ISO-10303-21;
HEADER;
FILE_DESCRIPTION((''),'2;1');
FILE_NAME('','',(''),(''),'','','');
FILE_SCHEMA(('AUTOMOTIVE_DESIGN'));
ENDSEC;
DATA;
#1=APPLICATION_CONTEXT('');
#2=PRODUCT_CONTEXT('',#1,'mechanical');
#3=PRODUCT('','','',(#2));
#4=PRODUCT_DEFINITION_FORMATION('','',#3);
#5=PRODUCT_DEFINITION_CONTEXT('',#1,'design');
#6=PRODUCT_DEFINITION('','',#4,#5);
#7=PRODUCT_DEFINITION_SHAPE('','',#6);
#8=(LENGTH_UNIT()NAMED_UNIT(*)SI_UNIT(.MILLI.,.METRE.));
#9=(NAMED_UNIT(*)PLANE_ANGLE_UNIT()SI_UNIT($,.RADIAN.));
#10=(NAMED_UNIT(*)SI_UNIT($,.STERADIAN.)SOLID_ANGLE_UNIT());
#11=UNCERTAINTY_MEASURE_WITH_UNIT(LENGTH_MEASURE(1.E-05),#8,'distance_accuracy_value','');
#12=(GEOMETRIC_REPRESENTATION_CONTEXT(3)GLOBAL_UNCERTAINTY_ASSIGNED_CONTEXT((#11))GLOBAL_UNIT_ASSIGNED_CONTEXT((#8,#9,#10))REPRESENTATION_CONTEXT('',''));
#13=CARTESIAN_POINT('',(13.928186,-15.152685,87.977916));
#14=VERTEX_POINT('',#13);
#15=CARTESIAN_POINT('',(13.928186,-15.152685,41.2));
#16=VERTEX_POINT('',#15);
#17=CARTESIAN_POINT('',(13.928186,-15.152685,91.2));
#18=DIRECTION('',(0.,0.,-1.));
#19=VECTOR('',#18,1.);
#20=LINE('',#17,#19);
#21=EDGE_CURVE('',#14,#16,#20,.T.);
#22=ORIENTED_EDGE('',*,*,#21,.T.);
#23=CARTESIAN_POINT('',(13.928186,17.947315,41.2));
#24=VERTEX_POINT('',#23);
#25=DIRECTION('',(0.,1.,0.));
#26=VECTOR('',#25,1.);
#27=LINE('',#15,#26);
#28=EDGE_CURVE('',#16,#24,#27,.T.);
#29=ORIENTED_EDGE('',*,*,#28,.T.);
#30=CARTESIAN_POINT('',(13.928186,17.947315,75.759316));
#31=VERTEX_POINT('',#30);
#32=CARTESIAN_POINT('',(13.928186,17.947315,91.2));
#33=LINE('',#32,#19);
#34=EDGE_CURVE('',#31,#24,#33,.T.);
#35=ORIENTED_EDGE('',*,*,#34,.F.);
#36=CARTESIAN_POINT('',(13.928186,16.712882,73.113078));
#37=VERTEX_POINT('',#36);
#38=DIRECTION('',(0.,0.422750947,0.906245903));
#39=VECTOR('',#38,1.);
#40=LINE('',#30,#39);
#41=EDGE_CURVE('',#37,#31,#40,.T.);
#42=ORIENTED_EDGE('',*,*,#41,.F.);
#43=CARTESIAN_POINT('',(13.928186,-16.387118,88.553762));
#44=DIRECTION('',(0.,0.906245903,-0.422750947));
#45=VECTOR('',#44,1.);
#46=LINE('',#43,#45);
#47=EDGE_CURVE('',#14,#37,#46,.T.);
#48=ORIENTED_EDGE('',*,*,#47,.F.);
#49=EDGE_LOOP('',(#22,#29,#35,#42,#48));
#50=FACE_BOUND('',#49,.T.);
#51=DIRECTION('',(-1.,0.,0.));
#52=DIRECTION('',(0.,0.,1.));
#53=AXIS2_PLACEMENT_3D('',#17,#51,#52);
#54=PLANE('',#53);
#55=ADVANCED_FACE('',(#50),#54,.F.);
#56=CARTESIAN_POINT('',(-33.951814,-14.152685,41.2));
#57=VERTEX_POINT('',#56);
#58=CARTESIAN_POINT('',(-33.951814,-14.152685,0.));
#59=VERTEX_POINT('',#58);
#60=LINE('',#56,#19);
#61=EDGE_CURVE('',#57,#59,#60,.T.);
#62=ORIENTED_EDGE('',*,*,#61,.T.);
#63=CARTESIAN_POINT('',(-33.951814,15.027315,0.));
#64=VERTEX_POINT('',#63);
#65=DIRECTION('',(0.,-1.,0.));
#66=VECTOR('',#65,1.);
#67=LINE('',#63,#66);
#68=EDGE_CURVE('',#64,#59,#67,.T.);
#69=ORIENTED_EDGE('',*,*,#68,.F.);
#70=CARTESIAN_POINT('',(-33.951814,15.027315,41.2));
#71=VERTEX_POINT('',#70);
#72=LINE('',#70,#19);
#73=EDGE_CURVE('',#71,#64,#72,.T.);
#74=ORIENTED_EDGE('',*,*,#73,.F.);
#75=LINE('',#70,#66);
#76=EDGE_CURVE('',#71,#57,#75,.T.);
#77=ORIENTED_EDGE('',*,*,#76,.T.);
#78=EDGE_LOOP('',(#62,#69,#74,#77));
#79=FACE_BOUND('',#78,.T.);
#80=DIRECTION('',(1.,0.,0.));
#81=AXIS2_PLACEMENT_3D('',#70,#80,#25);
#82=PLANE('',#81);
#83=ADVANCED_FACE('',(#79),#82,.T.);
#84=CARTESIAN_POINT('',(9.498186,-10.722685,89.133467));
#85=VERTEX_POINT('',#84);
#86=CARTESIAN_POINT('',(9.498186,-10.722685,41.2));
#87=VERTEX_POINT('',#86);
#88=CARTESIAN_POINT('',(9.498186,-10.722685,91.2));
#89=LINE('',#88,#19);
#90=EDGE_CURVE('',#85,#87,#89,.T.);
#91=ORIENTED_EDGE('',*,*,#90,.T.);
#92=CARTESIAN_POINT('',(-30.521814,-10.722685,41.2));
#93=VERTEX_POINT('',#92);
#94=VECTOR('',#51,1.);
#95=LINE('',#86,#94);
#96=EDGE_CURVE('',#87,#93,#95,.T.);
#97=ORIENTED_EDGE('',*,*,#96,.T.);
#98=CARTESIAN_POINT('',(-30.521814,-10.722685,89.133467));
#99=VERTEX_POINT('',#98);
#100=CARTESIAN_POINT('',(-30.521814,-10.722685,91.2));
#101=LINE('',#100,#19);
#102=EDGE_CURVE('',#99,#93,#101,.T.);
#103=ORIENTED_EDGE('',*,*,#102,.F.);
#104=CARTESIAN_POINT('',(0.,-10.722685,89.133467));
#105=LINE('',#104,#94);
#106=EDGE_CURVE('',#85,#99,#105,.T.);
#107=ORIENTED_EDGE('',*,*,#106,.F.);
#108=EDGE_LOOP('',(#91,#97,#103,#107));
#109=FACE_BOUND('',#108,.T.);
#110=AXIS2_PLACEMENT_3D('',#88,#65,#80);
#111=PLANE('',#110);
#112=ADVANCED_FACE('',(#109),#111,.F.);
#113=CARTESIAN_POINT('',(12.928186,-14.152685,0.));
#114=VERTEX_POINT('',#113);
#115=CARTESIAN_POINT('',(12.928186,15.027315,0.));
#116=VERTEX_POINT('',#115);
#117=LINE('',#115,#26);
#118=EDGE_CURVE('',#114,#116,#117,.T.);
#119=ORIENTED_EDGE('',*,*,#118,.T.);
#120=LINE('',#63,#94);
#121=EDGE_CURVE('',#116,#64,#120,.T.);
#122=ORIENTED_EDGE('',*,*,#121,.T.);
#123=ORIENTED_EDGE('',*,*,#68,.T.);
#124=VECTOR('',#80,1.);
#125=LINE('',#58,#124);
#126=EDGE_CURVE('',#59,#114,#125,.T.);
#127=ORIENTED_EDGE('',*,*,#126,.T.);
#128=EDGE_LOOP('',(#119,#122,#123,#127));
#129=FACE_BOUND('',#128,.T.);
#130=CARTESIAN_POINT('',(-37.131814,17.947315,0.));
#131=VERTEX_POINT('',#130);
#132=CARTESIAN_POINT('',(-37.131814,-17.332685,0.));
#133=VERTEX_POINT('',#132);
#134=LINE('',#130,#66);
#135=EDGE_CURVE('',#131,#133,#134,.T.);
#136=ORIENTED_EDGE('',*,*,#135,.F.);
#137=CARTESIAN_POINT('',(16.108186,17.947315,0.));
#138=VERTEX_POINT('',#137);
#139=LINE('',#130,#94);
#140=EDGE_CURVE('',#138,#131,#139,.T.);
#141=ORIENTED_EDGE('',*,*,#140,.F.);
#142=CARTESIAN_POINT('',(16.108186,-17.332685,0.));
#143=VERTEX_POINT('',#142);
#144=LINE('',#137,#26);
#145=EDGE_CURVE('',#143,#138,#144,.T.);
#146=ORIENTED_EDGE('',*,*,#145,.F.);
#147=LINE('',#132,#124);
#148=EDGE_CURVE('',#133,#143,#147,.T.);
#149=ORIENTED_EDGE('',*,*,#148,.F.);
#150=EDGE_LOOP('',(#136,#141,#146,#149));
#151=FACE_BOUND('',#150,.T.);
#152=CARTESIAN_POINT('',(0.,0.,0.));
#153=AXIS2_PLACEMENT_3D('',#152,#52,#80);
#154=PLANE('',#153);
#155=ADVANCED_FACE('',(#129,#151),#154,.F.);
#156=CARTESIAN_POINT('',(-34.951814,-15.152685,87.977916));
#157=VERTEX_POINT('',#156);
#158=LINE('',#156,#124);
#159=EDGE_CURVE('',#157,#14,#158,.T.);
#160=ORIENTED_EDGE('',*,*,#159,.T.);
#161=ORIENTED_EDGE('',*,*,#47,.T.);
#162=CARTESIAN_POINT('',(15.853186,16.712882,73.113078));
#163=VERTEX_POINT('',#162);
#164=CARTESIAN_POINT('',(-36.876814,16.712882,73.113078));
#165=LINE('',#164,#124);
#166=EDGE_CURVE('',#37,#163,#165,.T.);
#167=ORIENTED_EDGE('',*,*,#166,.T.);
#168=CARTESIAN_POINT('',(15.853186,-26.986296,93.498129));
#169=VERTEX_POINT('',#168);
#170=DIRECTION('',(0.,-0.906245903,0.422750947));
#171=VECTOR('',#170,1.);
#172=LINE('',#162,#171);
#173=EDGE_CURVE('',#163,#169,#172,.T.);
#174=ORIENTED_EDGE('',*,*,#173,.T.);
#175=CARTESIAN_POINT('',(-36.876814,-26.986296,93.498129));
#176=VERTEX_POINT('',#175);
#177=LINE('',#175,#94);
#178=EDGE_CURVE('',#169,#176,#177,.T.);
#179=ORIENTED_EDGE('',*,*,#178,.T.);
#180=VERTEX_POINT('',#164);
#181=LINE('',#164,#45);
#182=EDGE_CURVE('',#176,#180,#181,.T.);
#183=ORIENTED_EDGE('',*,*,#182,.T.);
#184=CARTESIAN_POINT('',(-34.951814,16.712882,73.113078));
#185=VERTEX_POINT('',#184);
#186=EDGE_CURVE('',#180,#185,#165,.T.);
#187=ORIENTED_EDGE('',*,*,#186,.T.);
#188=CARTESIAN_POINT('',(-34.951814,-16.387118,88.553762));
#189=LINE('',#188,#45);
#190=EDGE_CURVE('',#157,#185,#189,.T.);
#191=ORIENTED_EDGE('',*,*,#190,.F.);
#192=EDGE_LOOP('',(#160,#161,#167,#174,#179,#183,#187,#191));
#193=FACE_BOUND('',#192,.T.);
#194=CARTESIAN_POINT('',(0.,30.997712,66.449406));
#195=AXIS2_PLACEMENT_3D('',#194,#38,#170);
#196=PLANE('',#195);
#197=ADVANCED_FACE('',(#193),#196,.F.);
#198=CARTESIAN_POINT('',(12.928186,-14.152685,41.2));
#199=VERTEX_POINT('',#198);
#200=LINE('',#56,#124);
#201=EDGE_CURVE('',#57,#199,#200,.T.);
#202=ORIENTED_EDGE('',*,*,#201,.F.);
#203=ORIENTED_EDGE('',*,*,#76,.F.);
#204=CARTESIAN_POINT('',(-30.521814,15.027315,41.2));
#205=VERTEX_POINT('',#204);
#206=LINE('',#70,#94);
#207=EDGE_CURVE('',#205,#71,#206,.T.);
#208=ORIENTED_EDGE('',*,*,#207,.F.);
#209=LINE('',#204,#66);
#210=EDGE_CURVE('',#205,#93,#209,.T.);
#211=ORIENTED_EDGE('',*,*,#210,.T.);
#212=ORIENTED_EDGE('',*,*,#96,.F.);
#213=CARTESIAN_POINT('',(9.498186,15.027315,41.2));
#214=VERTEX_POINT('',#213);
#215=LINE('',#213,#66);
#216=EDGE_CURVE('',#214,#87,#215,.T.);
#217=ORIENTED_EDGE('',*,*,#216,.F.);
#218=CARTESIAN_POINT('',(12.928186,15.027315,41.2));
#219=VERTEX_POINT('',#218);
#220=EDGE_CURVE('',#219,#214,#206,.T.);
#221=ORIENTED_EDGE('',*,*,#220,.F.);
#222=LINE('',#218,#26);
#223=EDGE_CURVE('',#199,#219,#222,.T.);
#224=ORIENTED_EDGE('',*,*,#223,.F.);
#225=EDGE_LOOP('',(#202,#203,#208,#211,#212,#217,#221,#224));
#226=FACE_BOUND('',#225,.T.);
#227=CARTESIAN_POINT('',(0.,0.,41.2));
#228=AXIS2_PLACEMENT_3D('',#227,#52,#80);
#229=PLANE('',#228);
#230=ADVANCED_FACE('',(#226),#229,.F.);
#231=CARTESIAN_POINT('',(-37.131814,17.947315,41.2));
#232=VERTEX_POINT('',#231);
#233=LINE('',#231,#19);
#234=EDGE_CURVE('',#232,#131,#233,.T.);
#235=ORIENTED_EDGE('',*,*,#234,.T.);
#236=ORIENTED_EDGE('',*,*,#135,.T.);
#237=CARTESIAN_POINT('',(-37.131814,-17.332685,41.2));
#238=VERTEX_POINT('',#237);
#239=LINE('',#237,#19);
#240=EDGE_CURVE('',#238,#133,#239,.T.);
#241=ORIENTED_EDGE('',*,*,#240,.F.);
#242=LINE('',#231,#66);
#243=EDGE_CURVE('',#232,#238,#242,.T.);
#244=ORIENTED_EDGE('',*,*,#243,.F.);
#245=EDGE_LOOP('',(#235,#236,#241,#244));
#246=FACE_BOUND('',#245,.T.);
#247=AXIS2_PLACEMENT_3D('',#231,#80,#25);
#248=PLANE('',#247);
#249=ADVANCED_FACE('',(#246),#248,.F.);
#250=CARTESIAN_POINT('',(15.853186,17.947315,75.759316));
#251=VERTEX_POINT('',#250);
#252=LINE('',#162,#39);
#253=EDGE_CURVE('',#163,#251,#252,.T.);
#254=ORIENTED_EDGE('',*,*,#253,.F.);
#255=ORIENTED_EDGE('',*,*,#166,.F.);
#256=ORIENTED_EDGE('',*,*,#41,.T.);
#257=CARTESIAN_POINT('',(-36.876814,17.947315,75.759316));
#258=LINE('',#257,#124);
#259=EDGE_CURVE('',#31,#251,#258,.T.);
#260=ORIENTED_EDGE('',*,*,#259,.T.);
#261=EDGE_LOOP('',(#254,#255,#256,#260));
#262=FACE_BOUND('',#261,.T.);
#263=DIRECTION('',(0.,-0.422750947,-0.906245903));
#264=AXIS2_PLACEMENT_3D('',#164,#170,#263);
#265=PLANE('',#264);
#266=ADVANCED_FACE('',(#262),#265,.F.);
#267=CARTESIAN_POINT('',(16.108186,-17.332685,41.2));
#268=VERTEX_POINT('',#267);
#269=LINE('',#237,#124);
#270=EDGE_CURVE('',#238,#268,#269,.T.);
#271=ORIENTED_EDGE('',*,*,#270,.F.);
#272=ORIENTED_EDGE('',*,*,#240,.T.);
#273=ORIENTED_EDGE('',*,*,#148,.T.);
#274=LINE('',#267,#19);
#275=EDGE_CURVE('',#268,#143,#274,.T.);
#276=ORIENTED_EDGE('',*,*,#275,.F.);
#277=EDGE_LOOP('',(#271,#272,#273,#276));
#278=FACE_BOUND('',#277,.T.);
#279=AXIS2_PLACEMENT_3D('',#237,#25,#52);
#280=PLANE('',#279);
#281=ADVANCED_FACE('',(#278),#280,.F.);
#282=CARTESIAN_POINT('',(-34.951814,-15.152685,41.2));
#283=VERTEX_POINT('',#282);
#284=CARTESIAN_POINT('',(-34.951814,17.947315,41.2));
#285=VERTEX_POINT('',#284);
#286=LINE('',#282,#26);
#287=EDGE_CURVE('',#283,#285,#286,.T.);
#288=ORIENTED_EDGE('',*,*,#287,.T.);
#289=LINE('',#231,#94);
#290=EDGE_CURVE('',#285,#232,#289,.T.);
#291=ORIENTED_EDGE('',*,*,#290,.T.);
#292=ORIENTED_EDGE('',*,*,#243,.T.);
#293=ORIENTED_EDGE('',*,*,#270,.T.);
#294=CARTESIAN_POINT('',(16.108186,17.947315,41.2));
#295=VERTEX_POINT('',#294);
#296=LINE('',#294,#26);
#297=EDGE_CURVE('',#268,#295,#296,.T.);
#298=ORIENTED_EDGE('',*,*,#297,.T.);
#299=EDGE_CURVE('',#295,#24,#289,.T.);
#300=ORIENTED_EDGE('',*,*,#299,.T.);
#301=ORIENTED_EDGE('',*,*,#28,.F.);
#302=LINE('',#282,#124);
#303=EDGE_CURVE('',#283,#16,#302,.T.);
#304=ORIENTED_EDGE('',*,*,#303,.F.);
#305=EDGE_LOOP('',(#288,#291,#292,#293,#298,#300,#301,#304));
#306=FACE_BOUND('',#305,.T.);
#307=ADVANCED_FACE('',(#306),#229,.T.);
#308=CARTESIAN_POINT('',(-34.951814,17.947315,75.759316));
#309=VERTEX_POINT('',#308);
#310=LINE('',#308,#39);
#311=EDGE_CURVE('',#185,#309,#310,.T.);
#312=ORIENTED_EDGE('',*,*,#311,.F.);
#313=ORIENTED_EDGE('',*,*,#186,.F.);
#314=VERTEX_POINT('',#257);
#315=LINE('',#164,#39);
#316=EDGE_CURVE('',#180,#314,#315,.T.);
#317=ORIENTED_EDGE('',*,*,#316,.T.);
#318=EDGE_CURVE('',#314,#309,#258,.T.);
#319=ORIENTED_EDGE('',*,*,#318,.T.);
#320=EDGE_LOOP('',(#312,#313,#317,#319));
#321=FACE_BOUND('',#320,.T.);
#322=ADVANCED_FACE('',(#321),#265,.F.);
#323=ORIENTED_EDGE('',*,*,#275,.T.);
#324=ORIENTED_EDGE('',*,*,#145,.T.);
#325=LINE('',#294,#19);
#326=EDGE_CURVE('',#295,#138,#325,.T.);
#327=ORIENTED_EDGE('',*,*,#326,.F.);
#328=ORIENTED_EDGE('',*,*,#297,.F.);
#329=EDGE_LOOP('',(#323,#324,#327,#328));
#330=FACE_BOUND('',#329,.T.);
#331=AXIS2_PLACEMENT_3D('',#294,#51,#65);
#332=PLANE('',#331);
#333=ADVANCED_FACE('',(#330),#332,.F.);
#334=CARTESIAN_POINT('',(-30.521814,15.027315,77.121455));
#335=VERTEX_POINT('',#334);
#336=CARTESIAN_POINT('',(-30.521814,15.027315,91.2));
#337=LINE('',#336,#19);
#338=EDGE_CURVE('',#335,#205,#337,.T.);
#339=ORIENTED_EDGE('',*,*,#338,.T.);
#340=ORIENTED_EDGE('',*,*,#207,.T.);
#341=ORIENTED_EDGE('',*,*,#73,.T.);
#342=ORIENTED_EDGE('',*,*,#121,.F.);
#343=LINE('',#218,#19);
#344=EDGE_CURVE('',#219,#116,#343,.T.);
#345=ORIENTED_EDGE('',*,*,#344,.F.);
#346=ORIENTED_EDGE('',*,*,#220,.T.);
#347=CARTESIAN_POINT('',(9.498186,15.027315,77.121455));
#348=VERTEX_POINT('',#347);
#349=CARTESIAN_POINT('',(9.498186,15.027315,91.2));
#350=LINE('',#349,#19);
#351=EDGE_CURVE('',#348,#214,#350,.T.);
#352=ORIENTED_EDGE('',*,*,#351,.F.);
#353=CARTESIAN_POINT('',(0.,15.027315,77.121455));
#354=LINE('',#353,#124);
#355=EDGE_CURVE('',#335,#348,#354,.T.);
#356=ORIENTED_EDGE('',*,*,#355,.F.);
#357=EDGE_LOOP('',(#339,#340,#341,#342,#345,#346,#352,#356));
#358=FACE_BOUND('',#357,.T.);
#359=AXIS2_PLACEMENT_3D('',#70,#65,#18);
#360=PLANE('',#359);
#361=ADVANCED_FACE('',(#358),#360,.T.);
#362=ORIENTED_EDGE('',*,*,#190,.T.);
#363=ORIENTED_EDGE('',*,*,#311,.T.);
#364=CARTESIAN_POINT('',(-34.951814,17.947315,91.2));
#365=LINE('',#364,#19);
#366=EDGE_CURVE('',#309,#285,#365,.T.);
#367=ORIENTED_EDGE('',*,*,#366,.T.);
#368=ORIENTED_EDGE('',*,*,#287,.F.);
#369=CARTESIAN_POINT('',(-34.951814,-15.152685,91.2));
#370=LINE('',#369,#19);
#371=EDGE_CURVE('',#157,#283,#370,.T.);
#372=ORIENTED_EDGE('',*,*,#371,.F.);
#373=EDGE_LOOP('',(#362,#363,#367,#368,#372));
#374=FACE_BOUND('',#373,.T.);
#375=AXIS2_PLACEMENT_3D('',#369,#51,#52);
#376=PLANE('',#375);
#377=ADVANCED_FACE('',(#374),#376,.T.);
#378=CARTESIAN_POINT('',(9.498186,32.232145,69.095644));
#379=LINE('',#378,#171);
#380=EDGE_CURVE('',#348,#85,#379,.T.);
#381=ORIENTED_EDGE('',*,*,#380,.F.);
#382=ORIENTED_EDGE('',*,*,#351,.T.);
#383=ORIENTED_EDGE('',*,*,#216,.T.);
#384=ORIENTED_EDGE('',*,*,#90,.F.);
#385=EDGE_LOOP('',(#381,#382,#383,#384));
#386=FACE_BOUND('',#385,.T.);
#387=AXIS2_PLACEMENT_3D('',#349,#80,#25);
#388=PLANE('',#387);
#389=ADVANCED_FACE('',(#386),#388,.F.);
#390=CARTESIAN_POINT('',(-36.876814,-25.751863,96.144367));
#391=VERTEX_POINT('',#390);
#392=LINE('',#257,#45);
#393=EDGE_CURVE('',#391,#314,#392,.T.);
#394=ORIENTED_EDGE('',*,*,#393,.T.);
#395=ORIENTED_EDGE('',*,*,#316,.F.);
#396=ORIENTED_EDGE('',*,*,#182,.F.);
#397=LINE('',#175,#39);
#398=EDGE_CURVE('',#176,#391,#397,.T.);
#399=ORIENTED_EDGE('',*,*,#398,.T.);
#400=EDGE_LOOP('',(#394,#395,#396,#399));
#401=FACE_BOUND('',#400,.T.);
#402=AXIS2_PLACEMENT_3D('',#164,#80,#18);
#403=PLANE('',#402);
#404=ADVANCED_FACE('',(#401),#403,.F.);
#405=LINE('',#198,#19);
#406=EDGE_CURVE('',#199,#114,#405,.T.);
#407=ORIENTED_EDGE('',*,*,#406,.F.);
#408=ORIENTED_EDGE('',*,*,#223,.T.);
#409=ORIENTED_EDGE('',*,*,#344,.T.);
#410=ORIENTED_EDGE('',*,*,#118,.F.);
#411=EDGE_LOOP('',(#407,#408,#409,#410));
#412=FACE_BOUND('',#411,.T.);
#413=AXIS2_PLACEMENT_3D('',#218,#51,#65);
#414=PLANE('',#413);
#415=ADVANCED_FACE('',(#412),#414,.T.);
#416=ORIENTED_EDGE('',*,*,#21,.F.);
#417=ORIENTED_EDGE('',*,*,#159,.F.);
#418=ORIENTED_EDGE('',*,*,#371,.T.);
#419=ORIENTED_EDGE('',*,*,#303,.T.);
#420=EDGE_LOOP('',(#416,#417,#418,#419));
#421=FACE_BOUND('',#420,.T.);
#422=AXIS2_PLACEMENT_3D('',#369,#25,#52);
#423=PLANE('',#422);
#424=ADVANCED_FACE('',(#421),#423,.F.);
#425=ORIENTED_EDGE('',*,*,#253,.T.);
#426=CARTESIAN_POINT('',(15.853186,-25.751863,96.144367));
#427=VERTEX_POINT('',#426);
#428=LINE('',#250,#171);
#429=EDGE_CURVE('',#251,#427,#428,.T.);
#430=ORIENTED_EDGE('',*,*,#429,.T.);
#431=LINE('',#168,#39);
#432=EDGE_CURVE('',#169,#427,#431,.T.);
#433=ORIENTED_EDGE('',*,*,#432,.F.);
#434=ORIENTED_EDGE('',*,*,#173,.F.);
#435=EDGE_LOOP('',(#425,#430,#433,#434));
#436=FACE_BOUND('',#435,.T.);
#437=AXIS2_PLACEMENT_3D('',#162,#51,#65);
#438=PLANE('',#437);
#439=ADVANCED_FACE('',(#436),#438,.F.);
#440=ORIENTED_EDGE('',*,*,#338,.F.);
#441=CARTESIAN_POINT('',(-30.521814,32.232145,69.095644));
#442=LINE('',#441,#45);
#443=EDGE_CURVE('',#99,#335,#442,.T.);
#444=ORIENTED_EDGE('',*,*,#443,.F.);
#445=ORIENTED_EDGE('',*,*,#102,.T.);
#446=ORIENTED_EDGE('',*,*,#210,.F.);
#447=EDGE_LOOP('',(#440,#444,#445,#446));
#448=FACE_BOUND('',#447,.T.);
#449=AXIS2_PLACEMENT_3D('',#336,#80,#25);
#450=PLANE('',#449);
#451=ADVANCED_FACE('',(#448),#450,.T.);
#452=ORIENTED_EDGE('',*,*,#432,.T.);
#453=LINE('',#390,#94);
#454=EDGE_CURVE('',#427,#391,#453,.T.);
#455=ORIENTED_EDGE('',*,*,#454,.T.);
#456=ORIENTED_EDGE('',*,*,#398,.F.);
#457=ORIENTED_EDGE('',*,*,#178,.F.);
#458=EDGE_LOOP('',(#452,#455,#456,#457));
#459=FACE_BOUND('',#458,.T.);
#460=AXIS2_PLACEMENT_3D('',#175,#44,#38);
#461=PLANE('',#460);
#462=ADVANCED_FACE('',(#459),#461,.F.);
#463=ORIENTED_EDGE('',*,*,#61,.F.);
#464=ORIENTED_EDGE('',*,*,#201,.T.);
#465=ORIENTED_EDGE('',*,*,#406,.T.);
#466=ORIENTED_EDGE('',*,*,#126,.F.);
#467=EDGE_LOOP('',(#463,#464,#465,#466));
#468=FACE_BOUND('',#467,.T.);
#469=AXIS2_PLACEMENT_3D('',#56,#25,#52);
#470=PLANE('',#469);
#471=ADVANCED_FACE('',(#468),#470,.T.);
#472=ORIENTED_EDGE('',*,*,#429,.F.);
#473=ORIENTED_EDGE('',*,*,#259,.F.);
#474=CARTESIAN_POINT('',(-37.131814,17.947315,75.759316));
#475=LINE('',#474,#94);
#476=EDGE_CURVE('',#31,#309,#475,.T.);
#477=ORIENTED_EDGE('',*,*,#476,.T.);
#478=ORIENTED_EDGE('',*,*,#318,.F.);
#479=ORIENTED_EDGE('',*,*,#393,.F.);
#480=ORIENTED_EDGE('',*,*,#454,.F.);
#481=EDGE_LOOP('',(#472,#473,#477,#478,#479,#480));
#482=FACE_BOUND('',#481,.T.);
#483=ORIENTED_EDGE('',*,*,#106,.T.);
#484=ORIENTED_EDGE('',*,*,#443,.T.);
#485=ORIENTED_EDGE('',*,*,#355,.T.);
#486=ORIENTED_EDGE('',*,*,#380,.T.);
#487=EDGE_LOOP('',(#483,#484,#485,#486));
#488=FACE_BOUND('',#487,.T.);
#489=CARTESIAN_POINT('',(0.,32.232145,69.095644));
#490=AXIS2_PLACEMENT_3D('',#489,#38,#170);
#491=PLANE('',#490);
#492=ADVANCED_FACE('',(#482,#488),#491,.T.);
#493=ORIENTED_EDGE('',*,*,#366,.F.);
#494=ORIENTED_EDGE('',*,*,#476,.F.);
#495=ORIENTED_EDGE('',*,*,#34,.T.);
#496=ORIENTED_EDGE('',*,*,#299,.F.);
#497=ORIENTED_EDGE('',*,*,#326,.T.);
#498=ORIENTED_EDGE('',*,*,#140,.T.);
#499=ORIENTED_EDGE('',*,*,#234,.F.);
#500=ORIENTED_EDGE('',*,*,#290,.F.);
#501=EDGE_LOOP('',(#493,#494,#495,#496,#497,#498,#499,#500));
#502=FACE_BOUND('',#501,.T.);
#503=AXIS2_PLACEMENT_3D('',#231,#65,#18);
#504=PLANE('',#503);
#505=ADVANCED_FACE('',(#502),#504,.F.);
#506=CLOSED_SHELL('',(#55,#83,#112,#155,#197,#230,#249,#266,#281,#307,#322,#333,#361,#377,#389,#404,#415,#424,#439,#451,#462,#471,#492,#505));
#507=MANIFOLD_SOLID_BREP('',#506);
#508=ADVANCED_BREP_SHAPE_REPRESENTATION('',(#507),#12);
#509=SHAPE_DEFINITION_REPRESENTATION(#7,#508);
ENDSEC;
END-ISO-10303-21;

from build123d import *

# Parameters (mm, degrees)
CROQUIS1_W               = 53.24
CROQUIS1_H               = 35.28
CROQUIS1_W_2             = 46.88
CROQUIS1_H_2             = 29.18
SALIENTE_EXTRUIR2_DEPTH  = 41.2
CROQUIS3_W               = 48.88
CROQUIS3_H               = 33.1
CROQUIS3_W_2             = 40.02
CROQUIS3_H_2             = 25.75
SALIENTE_EXTRUIR11_DEPTH = 50
CROQUIS21_W              = 51.220456713
CROQUIS21_H              = 38.403596391
CORTAR_EXTRUIR1_DEPTH    = 24
CROQUIS22_W              = 52.73
CROQUIS22_H              = 48.22
SALIENTE_EXTRUIR15_DEPTH = 2.92
CROQUIS24_W              = 40.02
CROQUIS24_H              = 25.75
CORTAR_EXTRUIR2_DEPTH    = 81.92


with BuildPart() as part:
    # Croquis1 → Saliente-Extruir2 (new body)
    with BuildSketch(Plane.XY):
        with Locations((-10.511813518, 0.307314635)):
            Rectangle(CROQUIS1_W, CROQUIS1_H)
        with Locations((-10.511813518, 0.437314635)):
            Rectangle(CROQUIS1_W_2, CROQUIS1_H_2, mode=Mode.SUBTRACT)
    extrude(amount=SALIENTE_EXTRUIR2_DEPTH)

    # Croquis3 → Saliente-Extruir11 (add)
    with BuildSketch(Plane.XY.offset(41.2)):
        with Locations((-10.511813518, 1.397314635)):
            Rectangle(CROQUIS3_W, CROQUIS3_H)
        with Locations((-10.511813518, 2.152314635)):
            Rectangle(CROQUIS3_W_2, CROQUIS3_H_2, mode=Mode.SUBTRACT)
    extrude(amount=SALIENTE_EXTRUIR11_DEPTH)

    # Croquis21 → Cortar-Extruir1 (cut)
    with BuildSketch(Plane(origin=(0, 32.232144696, 69.095644301), x_dir=(-1, 0, 0), z_dir=(0, -0.4227509471843472, -0.906245902972663))):
        with Locations((10.82223744, -34.046833933)):
            Rectangle(CROQUIS21_W, CROQUIS21_H)
    extrude(amount=-CORTAR_EXTRUIR1_DEPTH, mode=Mode.SUBTRACT)

    # Croquis22 → Saliente-Extruir15 (add)
    with BuildSketch(Plane(origin=(0, 32.232144696, 69.095644301), x_dir=(-1, 0, 0), z_dir=(0, -0.4227509471843472, -0.906245902972663))):
        with Locations((10.511813518, -39.872642362)):
            Rectangle(CROQUIS22_W, CROQUIS22_H)
    extrude(amount=SALIENTE_EXTRUIR15_DEPTH)

    # Croquis24 → Cortar-Extruir2 (cut)
    with BuildSketch(Plane.XY.offset(41.2)):
        with Locations((-10.511813518, 2.152314635)):
            Rectangle(CROQUIS24_W, CROQUIS24_H)
    extrude(amount=CORTAR_EXTRUIR2_DEPTH, mode=Mode.SUBTRACT)


solid = part.part
